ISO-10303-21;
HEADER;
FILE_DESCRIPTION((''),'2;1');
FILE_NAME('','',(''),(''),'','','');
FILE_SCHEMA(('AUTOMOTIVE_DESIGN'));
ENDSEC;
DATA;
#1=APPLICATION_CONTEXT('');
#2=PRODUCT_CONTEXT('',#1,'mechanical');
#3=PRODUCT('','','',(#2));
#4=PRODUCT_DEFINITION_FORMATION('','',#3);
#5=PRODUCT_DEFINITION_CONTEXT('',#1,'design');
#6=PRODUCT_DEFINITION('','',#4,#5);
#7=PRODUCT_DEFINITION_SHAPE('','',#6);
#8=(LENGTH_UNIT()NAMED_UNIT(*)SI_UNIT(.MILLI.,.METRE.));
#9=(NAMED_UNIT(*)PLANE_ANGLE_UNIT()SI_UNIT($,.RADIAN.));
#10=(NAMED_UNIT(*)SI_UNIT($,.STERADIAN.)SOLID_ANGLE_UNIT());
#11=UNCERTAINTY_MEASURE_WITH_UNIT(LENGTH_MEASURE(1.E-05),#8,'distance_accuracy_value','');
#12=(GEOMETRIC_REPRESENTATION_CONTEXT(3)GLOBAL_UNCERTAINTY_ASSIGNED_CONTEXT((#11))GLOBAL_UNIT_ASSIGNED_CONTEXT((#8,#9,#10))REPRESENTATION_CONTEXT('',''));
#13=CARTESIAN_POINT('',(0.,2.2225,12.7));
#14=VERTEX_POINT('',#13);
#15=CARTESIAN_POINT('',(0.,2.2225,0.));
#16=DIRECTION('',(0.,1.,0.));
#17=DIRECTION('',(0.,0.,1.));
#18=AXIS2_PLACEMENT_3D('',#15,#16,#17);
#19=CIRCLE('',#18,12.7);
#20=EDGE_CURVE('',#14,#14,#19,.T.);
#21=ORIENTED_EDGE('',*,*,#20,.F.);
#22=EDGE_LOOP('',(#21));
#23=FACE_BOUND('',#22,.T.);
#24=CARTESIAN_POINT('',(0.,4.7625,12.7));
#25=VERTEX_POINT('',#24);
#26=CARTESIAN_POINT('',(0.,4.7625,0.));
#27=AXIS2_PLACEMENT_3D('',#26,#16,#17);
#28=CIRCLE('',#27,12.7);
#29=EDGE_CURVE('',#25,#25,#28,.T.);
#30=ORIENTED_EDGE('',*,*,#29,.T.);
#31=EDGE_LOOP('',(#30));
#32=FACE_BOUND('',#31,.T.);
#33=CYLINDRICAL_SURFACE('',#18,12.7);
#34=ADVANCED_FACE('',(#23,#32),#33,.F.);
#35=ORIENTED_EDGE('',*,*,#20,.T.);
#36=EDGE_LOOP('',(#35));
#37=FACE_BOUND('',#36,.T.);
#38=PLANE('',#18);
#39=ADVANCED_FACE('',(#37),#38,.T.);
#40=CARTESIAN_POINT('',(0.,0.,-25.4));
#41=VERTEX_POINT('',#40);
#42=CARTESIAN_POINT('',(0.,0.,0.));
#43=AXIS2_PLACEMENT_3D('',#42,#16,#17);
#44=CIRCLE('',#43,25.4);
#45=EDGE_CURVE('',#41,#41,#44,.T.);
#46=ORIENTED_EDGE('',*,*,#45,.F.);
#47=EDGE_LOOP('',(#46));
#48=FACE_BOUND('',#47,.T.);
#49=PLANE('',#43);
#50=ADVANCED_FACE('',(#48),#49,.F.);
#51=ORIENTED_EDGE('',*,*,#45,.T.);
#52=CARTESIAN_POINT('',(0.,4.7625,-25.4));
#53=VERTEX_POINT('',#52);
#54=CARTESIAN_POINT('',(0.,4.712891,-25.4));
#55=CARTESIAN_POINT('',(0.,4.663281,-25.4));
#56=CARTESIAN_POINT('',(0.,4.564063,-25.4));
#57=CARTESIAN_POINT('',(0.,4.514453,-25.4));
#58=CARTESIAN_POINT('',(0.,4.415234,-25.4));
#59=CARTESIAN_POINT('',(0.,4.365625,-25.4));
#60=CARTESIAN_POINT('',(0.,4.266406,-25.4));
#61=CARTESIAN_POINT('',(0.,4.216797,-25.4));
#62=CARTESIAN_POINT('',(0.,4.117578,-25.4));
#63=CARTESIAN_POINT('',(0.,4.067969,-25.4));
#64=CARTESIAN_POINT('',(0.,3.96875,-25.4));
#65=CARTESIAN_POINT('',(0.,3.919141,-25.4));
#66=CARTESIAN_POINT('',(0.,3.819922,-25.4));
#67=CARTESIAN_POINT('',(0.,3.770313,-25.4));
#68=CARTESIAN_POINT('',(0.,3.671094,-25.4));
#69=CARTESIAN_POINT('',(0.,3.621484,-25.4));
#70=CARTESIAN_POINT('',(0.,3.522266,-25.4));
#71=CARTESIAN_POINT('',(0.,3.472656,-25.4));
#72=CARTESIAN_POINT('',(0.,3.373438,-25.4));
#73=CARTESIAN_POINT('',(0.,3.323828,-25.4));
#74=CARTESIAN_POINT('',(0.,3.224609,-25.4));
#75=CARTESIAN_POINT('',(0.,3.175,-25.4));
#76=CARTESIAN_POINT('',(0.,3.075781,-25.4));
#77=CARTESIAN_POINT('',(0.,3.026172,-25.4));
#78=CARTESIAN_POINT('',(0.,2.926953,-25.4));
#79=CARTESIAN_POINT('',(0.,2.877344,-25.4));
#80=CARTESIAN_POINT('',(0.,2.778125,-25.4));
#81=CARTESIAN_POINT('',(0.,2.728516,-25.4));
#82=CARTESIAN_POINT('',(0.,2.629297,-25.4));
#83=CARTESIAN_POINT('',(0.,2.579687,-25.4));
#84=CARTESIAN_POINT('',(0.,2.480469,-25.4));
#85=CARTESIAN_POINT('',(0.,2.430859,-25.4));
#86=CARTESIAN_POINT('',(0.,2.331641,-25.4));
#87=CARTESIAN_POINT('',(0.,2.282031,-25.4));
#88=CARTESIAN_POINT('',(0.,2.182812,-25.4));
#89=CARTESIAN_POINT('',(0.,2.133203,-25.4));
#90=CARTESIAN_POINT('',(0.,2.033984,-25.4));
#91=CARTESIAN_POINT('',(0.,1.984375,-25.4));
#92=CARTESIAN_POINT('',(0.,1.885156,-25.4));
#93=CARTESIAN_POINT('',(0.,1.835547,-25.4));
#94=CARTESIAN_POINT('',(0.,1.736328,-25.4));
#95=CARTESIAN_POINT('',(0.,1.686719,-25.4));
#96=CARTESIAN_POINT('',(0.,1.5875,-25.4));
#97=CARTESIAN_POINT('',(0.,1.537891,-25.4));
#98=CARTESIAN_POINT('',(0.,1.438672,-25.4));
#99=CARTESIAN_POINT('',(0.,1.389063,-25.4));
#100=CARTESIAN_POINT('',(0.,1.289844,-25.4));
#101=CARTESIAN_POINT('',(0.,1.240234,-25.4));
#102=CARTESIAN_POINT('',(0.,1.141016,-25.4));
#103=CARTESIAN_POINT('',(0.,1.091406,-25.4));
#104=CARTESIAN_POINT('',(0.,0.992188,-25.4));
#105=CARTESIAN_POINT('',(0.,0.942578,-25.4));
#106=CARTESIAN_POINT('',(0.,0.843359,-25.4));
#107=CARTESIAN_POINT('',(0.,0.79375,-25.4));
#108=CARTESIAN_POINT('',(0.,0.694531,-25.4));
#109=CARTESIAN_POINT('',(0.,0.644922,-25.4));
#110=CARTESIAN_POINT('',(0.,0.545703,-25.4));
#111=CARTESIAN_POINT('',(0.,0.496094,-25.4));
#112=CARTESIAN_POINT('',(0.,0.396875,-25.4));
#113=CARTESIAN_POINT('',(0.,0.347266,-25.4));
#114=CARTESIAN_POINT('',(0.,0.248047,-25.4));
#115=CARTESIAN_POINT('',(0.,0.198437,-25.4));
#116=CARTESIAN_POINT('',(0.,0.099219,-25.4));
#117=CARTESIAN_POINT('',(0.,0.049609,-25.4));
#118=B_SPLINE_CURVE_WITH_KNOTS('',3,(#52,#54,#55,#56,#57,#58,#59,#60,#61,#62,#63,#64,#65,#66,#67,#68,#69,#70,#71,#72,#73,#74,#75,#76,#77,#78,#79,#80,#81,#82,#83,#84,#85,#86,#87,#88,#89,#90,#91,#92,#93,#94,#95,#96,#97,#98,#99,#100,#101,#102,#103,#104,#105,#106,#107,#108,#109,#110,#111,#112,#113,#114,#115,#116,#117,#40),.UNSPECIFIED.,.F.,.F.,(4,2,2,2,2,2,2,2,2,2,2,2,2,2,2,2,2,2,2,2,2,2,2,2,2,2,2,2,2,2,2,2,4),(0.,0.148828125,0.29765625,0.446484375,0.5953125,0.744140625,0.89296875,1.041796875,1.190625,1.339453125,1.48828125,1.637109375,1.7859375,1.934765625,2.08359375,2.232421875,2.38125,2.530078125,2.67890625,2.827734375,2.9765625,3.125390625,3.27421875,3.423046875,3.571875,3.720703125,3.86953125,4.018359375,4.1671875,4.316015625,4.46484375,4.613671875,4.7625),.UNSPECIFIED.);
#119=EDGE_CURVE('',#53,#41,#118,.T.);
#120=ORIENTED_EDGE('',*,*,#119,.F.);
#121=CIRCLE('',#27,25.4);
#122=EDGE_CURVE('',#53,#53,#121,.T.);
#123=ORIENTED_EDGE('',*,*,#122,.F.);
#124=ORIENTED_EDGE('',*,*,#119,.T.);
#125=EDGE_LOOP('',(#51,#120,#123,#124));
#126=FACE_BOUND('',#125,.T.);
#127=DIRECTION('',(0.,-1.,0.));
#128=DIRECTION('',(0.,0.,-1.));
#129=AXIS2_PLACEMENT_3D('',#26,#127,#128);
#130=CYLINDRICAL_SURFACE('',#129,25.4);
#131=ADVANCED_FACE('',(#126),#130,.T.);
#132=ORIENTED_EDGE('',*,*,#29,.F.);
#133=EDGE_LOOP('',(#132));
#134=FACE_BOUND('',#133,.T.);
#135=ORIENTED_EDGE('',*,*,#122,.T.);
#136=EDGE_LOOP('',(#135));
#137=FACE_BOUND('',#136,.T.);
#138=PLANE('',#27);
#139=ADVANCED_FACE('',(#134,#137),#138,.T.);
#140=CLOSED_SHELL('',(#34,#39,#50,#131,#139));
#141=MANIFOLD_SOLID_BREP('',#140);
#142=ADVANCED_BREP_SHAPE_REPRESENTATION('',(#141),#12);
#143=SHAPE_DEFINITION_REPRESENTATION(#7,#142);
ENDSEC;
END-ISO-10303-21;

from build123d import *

# Parameters (mm, degrees)
SKETCH1_R           = 25.4
BOSS_EXTRUDE1_DEPTH = 4.7625
SKETCH2_R           = 12.7
CUT_EXTRUDE1_DEPTH  = 2.54


with BuildPart() as part:
    # Sketch1 → Boss-Extrude1 (new body)
    with BuildSketch(Plane(origin=(0, 0, 0), x_dir=(1, 0, 0), z_dir=(0, 1, 0))):
        with Locations(Location((0, 0, 0), (0, 0, 90))):
            Circle(SKETCH1_R)
    extrude(amount=BOSS_EXTRUDE1_DEPTH)

    # Sketch2 → Cut-Extrude1 (cut)
    with BuildSketch(Plane(origin=(0, 4.7625, 0), x_dir=(1, 0, 0), z_dir=(0, 1, 0))):
        with Locations(Location((0, 0, 0), (0, 0, 270))):
            Circle(SKETCH2_R)
    extrude(amount=-CUT_EXTRUDE1_DEPTH, mode=Mode.SUBTRACT)


solid = part.part
